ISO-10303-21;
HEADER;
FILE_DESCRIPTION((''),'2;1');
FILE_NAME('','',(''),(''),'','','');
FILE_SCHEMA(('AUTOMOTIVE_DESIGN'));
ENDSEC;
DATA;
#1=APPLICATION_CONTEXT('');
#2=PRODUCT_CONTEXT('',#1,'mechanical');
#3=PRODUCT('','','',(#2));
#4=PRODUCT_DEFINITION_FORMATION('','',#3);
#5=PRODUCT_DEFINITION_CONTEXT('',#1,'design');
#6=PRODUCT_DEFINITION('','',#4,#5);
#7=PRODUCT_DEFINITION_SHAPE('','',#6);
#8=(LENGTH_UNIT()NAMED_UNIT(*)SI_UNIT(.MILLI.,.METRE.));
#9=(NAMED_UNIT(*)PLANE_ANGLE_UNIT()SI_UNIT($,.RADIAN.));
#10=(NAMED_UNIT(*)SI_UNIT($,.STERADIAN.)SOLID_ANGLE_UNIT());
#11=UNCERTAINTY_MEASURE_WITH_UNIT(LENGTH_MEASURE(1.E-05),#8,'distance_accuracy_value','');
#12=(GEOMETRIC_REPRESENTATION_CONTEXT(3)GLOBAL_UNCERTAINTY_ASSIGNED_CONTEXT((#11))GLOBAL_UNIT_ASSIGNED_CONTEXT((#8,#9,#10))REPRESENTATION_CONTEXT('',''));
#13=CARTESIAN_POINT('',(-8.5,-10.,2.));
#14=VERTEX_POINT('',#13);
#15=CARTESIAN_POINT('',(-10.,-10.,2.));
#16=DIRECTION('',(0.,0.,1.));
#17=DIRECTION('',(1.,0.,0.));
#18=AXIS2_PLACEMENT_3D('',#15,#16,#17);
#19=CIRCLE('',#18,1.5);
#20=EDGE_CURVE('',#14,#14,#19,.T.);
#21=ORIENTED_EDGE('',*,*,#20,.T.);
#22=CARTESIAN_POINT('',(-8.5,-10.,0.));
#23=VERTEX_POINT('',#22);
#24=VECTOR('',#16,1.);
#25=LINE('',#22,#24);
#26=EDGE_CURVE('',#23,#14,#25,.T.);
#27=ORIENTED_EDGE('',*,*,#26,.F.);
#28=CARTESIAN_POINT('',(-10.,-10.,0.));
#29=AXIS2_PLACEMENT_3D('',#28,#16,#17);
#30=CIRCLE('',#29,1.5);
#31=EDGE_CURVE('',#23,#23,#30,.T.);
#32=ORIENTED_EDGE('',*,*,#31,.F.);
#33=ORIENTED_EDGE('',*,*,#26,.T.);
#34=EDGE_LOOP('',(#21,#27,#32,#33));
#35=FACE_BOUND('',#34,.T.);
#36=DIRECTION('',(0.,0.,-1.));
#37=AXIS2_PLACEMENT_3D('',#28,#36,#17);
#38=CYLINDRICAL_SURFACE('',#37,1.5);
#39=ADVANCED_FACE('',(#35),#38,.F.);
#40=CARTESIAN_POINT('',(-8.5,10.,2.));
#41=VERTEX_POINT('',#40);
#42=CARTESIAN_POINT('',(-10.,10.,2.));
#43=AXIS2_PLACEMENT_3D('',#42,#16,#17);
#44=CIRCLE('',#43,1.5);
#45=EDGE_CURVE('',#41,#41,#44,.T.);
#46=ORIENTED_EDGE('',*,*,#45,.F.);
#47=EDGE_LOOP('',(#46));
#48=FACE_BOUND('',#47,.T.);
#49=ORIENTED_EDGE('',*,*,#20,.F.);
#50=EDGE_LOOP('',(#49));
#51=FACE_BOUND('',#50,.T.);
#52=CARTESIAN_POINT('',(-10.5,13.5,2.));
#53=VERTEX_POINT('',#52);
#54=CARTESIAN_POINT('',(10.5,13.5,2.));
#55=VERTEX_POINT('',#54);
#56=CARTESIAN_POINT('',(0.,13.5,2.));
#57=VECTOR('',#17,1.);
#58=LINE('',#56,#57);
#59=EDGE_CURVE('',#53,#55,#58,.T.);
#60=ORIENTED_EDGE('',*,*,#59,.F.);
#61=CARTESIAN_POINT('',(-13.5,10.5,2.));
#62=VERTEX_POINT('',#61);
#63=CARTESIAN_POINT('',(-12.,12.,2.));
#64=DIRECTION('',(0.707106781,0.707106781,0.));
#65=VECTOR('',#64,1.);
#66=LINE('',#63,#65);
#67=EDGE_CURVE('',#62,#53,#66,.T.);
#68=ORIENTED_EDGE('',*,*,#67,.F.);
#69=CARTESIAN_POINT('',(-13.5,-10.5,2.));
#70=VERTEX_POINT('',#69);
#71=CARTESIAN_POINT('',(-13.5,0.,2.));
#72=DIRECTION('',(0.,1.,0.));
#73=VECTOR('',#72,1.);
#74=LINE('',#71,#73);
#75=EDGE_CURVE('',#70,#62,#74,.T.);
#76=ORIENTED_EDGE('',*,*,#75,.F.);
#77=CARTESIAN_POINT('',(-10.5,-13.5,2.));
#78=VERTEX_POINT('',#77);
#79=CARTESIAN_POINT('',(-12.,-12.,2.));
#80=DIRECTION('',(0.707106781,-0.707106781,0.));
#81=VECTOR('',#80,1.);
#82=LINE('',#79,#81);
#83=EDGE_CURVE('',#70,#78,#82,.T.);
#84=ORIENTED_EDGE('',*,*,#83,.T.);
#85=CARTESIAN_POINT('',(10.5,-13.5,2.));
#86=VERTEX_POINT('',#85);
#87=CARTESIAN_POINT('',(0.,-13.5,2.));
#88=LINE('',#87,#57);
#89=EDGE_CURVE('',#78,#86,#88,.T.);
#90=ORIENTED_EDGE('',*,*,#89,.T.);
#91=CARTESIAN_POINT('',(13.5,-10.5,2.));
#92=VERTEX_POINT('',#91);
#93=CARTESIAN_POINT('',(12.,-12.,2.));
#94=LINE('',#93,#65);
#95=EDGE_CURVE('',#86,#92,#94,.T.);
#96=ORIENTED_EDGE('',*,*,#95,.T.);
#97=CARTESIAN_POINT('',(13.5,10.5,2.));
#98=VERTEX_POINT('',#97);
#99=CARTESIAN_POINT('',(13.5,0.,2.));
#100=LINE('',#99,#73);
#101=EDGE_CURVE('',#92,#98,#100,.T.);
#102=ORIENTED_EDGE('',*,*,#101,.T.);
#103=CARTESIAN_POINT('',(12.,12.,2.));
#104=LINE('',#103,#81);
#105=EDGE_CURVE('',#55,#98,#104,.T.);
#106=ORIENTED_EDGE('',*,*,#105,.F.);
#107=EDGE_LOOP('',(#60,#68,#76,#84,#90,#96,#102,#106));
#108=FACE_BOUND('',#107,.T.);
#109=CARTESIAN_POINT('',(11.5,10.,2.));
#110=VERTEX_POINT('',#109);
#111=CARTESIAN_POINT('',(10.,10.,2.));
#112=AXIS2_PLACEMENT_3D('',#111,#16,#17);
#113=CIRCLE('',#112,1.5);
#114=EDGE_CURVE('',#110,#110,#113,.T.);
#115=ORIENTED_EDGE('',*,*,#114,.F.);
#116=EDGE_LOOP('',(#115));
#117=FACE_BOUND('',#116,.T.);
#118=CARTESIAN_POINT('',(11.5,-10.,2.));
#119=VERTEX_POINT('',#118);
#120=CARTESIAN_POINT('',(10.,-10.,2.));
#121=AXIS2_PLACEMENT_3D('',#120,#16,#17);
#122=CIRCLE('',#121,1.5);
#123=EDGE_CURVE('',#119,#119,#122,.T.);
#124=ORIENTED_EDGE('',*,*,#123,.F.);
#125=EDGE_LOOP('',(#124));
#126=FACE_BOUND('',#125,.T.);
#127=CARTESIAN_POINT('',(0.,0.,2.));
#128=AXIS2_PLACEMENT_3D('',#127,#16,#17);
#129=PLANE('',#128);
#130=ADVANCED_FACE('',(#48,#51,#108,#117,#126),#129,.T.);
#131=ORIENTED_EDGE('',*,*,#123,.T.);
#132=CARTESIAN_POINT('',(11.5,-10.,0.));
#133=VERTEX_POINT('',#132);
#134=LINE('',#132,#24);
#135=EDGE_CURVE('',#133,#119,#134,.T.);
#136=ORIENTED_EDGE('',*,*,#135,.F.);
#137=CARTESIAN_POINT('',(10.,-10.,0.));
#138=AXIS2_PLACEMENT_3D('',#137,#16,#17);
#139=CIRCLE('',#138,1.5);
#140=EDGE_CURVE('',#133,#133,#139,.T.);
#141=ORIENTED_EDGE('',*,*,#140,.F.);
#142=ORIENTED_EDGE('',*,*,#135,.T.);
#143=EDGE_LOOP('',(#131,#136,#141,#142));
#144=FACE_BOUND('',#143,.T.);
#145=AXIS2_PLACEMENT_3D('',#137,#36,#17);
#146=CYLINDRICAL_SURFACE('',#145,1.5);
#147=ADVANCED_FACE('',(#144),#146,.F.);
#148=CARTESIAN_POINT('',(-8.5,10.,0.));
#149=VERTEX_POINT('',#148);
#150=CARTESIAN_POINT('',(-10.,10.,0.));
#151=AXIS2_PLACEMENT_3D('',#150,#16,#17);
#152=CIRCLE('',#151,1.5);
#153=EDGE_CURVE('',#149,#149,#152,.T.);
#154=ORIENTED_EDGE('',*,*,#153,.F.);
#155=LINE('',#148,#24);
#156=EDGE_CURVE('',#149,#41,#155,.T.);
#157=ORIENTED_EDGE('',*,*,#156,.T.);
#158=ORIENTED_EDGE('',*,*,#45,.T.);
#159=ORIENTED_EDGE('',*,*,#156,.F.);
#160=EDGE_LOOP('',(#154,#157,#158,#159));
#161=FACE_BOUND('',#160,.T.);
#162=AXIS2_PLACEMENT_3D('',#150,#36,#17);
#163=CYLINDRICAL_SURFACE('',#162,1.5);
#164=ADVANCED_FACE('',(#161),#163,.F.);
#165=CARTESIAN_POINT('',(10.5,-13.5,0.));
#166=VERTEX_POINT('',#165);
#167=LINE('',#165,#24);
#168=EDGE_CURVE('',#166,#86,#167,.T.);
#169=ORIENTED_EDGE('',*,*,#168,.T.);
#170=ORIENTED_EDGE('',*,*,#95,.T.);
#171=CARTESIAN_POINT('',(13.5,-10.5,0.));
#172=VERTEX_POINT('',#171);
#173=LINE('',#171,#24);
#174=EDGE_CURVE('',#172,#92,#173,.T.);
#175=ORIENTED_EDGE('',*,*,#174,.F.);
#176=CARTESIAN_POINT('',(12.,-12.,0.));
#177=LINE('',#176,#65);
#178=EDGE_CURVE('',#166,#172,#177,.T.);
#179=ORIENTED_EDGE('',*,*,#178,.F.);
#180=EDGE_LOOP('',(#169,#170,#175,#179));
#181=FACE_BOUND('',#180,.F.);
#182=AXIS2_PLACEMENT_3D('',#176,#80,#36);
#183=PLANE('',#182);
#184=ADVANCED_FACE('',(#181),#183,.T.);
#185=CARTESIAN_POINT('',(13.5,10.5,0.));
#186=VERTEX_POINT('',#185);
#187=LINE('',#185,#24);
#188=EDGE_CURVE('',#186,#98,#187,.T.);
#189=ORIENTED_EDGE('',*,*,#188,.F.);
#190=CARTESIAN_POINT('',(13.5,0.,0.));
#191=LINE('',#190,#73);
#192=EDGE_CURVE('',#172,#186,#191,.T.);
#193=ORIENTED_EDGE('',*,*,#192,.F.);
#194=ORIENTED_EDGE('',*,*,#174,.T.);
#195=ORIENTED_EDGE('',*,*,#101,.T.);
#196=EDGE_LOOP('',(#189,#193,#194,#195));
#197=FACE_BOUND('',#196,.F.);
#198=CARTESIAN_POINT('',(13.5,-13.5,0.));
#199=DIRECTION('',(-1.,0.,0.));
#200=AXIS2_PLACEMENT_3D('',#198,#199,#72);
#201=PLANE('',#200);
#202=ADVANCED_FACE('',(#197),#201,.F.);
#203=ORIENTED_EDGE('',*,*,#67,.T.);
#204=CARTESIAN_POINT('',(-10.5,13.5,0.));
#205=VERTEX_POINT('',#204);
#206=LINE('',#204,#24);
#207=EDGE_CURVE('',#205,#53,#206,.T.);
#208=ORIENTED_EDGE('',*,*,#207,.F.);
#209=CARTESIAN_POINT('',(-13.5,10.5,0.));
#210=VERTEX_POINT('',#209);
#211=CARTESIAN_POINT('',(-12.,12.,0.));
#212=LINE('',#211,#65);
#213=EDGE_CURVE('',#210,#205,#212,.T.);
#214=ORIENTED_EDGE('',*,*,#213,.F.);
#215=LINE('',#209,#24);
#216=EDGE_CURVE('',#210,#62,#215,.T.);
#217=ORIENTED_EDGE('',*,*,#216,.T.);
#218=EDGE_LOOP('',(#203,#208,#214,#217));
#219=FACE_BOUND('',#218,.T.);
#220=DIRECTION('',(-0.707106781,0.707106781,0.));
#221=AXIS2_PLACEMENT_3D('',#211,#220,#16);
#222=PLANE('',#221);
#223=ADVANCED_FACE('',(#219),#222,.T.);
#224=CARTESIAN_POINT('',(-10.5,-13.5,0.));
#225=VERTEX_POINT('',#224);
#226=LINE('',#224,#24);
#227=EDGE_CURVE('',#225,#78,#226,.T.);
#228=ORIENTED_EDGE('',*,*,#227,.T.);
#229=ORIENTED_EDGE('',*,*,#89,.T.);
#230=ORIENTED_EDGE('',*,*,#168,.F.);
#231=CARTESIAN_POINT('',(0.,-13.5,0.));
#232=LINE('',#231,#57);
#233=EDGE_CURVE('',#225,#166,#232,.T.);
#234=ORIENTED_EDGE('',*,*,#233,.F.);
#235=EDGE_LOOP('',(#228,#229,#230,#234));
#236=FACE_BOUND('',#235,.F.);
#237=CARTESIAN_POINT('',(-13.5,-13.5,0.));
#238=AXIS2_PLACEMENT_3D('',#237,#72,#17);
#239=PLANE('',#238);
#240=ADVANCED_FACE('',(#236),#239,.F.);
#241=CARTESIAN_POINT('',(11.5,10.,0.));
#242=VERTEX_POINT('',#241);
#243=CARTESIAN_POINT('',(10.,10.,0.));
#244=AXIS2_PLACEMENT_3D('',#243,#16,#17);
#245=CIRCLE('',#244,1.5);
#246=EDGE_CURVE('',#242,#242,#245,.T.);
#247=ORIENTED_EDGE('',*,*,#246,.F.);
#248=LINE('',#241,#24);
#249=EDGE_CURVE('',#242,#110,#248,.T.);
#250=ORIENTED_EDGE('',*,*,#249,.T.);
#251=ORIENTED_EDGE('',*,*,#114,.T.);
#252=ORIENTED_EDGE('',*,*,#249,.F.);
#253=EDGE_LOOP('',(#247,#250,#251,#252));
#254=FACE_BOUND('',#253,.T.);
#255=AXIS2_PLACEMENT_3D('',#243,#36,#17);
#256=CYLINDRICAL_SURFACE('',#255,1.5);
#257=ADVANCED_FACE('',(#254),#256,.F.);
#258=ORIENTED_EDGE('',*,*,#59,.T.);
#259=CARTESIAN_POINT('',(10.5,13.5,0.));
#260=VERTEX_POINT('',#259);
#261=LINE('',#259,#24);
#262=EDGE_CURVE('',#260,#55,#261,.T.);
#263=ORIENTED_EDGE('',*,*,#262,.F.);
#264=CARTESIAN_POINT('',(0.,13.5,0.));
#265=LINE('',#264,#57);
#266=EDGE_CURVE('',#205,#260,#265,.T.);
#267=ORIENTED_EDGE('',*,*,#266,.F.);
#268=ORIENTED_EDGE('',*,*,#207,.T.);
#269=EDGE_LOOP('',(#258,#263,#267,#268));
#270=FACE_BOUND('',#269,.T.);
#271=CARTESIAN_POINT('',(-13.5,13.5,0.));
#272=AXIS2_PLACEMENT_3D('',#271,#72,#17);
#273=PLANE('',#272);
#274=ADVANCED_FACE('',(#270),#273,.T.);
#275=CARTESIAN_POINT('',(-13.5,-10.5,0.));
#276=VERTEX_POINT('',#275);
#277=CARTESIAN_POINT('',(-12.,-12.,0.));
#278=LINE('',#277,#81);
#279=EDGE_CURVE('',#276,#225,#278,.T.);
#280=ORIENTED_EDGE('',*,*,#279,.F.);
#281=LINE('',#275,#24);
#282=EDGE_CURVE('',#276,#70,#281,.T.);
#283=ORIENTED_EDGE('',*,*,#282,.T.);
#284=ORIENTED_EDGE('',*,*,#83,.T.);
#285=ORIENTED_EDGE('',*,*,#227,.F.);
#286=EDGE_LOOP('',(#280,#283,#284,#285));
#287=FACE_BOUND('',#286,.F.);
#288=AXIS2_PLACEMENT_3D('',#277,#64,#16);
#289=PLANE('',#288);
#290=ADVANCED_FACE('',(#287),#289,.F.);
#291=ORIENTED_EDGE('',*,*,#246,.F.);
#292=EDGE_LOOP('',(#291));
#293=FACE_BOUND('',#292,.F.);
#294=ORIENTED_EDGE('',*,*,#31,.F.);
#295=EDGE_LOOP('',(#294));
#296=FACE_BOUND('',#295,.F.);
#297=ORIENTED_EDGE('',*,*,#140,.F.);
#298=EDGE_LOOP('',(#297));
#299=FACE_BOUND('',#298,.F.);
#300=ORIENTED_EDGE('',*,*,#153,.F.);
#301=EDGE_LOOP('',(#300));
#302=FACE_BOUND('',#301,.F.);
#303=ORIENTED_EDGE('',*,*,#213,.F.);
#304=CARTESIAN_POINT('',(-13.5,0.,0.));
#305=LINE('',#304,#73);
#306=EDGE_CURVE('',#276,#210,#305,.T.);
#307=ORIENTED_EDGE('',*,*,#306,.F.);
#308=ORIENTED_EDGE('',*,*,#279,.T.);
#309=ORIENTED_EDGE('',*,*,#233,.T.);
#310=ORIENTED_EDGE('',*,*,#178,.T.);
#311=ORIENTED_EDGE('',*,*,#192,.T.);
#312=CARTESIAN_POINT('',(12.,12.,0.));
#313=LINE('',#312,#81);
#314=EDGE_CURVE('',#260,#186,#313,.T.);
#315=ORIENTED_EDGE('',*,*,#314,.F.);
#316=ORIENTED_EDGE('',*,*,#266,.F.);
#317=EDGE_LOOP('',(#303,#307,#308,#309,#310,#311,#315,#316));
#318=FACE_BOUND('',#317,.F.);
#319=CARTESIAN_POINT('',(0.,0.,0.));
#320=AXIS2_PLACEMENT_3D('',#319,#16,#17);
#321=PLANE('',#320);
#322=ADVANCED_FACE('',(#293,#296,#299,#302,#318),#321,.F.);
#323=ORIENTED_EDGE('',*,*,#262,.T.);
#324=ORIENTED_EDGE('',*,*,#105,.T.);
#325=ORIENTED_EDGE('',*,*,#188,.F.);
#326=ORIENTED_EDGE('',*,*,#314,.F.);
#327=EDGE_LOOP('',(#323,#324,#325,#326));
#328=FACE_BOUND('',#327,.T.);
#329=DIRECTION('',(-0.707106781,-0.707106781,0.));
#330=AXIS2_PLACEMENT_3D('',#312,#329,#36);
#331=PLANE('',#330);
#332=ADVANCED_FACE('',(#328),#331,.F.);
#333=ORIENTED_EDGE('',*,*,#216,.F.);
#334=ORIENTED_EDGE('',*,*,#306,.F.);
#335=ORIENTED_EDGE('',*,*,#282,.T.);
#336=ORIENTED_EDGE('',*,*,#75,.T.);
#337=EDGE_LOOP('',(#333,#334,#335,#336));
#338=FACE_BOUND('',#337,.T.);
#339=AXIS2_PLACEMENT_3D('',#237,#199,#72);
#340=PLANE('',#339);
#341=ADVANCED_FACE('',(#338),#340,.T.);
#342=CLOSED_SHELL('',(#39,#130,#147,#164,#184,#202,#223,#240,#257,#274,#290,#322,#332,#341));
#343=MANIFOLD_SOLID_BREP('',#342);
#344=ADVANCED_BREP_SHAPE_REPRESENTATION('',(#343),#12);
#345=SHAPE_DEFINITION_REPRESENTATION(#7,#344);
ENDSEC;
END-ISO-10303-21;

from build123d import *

# Parameters (mm, degrees)
F0_W     = 27
F0_H     = 27
F0_R     = 1.5
F1_DEPTH = 2
F2_SIZE  = 3


with BuildPart() as f1:
    # F0 (on Top) → F1 (new body)
    with BuildSketch(Plane.XY):
        Rectangle(F0_W, F0_H)
        with Locations((-10, -10)):
            Circle(F0_R, mode=Mode.SUBTRACT)
        with Locations((10, -10)):
            Circle(F0_R, mode=Mode.SUBTRACT)
        with Locations((-10, 10)):
            Circle(F0_R, mode=Mode.SUBTRACT)
        with Locations((10, 10)):
            Circle(F0_R, mode=Mode.SUBTRACT)
    extrude(amount=F1_DEPTH)

    # F2
    f2_edges = [f1.edges().sort_by_distance(p)[0] for p in [
        (13.5, -13.5, 1),
        (-13.5, -13.5, 1),
        (13.5, 13.5, 1),
        (-13.5, 13.5, 1),
    ]]
    chamfer(f2_edges, length=F2_SIZE)


solid = f1.part
